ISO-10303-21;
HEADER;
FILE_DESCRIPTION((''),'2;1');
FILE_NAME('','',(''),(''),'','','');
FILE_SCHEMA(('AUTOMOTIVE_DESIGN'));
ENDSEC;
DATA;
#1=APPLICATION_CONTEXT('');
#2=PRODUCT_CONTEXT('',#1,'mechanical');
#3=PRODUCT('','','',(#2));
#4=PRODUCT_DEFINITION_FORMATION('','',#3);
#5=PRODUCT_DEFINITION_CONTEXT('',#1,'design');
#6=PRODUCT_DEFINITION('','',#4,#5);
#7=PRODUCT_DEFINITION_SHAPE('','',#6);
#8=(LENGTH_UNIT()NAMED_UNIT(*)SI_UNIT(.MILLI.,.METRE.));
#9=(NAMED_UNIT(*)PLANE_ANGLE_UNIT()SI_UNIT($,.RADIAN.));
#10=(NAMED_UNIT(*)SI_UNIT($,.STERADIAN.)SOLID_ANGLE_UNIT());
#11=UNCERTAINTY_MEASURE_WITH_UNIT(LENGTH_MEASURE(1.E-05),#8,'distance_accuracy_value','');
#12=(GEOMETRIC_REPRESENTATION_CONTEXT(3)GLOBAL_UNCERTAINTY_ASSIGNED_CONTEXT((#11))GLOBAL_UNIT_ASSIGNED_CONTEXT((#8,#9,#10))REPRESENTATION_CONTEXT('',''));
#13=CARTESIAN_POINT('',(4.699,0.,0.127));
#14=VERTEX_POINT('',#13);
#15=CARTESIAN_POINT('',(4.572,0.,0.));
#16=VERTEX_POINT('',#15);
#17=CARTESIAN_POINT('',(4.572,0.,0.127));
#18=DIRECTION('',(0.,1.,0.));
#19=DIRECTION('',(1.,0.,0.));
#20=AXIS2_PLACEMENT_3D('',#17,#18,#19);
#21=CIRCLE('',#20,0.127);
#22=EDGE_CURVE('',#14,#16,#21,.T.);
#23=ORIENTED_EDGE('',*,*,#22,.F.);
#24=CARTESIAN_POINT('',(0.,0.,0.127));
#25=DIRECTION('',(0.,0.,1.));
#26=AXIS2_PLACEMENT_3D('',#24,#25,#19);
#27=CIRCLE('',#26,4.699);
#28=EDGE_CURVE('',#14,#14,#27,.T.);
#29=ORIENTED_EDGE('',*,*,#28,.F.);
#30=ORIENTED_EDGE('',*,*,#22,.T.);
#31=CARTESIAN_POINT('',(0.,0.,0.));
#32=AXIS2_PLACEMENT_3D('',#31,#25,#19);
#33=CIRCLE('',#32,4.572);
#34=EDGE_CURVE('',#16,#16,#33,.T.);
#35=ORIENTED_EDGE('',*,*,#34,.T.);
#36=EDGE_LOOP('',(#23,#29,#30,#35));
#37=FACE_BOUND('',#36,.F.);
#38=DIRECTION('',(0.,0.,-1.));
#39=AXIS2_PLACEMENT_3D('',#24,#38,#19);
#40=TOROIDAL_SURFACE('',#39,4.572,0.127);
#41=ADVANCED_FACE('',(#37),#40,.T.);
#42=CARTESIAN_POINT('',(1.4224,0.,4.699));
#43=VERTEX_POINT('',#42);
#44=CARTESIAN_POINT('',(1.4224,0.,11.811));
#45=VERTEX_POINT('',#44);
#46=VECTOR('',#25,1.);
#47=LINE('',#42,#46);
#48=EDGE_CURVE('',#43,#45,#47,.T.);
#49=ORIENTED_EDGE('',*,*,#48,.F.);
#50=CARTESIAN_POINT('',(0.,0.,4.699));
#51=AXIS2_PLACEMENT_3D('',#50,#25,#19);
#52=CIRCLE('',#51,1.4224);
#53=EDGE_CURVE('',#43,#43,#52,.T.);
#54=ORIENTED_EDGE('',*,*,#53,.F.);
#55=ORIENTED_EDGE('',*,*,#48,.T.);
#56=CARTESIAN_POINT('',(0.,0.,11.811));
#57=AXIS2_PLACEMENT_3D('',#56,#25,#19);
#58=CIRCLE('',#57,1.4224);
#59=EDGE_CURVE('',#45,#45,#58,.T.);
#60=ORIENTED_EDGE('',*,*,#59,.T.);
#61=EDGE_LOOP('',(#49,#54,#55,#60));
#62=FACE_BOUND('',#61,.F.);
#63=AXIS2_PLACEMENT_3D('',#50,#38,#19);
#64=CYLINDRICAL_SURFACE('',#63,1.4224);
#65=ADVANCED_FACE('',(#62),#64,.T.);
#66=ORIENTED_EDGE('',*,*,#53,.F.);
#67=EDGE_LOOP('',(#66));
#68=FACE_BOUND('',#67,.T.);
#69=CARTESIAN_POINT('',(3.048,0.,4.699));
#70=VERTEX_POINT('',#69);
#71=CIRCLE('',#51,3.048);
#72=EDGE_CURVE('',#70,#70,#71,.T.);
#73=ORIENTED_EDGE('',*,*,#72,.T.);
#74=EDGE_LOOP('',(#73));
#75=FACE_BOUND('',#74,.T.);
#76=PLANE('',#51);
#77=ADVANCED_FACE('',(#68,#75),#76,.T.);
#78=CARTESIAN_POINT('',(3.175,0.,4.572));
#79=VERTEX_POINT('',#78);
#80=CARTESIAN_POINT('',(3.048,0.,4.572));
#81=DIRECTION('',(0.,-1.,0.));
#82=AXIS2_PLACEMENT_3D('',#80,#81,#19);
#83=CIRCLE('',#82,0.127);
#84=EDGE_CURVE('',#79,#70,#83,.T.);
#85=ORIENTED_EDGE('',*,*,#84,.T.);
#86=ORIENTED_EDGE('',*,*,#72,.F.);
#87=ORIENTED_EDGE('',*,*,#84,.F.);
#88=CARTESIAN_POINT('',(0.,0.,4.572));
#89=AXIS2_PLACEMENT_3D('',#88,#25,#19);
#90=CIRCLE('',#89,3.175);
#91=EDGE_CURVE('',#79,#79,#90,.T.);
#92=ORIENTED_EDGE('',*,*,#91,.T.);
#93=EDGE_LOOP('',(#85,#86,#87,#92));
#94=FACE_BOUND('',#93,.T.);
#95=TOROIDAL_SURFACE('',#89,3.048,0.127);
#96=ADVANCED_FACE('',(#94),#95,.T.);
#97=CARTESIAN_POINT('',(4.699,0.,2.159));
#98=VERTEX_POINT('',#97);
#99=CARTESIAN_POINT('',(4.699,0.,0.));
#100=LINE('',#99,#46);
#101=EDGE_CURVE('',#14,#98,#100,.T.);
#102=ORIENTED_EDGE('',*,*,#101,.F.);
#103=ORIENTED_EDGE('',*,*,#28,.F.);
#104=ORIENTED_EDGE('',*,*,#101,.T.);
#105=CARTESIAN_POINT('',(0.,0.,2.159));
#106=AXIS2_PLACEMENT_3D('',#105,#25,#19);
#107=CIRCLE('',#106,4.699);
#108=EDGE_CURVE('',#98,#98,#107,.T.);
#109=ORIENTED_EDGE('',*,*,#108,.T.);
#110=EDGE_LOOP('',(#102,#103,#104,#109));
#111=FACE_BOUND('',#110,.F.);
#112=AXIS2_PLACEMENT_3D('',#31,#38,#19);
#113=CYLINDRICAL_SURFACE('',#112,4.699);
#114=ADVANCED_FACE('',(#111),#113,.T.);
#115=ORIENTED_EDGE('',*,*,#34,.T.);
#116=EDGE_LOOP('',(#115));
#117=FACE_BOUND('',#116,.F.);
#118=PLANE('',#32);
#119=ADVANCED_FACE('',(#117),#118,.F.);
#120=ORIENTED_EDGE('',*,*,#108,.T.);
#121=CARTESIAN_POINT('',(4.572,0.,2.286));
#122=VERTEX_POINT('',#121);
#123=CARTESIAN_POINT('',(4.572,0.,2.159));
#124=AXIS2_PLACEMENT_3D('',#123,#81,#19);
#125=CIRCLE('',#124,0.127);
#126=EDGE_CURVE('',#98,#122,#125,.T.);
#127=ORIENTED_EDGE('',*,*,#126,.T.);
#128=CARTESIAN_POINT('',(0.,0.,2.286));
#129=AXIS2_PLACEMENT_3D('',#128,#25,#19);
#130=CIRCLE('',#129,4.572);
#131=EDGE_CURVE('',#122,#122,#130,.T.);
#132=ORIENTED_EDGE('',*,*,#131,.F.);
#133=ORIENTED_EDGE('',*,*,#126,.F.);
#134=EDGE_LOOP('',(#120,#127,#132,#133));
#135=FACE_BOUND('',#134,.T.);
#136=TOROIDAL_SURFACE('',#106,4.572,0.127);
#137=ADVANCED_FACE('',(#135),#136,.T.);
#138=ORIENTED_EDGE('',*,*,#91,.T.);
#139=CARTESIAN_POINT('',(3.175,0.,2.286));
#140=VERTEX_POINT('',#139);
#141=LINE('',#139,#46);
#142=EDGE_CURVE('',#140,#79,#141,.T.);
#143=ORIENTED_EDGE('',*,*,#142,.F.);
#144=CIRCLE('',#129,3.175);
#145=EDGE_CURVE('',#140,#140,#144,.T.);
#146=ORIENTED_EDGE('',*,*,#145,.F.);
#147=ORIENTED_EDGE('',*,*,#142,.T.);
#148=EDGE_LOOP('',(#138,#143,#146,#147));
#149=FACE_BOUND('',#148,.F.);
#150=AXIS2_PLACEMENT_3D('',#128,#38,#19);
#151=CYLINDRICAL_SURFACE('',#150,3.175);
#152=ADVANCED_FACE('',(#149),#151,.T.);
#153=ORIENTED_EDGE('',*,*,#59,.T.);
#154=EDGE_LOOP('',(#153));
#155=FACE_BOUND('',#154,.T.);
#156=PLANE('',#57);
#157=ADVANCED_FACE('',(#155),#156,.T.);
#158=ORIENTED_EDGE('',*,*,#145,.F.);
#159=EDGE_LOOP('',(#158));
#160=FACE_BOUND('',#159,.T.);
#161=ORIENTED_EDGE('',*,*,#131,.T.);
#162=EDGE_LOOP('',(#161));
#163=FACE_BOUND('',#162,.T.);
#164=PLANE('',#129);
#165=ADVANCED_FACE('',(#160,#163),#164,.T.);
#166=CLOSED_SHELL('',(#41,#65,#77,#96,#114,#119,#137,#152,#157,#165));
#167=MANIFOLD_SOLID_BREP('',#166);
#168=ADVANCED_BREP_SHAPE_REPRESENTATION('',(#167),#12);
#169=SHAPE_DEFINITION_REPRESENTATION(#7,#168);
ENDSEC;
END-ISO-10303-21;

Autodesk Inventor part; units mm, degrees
ref_plane "YZ Plane" through (0, 0, 0) normal (1, 0, 0) x (0, 1, 0)
ref_plane "XZ Plane" through (0, 0, 0) normal (0, 1, 0) x (-1, 0, 0)
ref_plane "XY Plane" through (0, 0, 0) normal (0, 0, 1) x (1, 0, 0)
sketch "Sketch1" plane through (0, 0, 0) normal (0, 0, 1) x (1, 0, 0)
  circle A0 centre (0, 0) radius 4.699
  dimension "head_dia" = 9.398
extrude "Extrusion1" add sketch "Sketch1" along normal blind 2.286
sketch "Sketch2" plane through (0, 0, 2.286) normal (0, 0, 1) x (1, 0, 0)
  circle A0 centre (0, 0) radius 3.175
  dimension "d5" = 6.35
extrude "Extrusion2" add sketch "Sketch2" along normal blind 2.413
sketch "Sketch3" plane through (0, 0, 4.699) normal (0, 0, 1) x (1, 0, 0)
  circle A0 centre (0, 0) radius 1.4224
  dimension "d8" = 2.8448
extrude "Extrusion3" add sketch "Sketch3" along normal blind 7.112
thread "Thread1" size "4-40 UNC" class "2A" standard "ANSI Unified Screw Threads" full length
fillet "Fillet1" radius 0.127 1 edges at (-4.699, 0, 0)
fillet "Fillet2" radius 0.127 1 edges at (-4.699, 0, 2.286)
fillet "Fillet3" radius 0.127 1 edges at (-3.175, 0, 4.699)
properties part number "fastener_screw"
